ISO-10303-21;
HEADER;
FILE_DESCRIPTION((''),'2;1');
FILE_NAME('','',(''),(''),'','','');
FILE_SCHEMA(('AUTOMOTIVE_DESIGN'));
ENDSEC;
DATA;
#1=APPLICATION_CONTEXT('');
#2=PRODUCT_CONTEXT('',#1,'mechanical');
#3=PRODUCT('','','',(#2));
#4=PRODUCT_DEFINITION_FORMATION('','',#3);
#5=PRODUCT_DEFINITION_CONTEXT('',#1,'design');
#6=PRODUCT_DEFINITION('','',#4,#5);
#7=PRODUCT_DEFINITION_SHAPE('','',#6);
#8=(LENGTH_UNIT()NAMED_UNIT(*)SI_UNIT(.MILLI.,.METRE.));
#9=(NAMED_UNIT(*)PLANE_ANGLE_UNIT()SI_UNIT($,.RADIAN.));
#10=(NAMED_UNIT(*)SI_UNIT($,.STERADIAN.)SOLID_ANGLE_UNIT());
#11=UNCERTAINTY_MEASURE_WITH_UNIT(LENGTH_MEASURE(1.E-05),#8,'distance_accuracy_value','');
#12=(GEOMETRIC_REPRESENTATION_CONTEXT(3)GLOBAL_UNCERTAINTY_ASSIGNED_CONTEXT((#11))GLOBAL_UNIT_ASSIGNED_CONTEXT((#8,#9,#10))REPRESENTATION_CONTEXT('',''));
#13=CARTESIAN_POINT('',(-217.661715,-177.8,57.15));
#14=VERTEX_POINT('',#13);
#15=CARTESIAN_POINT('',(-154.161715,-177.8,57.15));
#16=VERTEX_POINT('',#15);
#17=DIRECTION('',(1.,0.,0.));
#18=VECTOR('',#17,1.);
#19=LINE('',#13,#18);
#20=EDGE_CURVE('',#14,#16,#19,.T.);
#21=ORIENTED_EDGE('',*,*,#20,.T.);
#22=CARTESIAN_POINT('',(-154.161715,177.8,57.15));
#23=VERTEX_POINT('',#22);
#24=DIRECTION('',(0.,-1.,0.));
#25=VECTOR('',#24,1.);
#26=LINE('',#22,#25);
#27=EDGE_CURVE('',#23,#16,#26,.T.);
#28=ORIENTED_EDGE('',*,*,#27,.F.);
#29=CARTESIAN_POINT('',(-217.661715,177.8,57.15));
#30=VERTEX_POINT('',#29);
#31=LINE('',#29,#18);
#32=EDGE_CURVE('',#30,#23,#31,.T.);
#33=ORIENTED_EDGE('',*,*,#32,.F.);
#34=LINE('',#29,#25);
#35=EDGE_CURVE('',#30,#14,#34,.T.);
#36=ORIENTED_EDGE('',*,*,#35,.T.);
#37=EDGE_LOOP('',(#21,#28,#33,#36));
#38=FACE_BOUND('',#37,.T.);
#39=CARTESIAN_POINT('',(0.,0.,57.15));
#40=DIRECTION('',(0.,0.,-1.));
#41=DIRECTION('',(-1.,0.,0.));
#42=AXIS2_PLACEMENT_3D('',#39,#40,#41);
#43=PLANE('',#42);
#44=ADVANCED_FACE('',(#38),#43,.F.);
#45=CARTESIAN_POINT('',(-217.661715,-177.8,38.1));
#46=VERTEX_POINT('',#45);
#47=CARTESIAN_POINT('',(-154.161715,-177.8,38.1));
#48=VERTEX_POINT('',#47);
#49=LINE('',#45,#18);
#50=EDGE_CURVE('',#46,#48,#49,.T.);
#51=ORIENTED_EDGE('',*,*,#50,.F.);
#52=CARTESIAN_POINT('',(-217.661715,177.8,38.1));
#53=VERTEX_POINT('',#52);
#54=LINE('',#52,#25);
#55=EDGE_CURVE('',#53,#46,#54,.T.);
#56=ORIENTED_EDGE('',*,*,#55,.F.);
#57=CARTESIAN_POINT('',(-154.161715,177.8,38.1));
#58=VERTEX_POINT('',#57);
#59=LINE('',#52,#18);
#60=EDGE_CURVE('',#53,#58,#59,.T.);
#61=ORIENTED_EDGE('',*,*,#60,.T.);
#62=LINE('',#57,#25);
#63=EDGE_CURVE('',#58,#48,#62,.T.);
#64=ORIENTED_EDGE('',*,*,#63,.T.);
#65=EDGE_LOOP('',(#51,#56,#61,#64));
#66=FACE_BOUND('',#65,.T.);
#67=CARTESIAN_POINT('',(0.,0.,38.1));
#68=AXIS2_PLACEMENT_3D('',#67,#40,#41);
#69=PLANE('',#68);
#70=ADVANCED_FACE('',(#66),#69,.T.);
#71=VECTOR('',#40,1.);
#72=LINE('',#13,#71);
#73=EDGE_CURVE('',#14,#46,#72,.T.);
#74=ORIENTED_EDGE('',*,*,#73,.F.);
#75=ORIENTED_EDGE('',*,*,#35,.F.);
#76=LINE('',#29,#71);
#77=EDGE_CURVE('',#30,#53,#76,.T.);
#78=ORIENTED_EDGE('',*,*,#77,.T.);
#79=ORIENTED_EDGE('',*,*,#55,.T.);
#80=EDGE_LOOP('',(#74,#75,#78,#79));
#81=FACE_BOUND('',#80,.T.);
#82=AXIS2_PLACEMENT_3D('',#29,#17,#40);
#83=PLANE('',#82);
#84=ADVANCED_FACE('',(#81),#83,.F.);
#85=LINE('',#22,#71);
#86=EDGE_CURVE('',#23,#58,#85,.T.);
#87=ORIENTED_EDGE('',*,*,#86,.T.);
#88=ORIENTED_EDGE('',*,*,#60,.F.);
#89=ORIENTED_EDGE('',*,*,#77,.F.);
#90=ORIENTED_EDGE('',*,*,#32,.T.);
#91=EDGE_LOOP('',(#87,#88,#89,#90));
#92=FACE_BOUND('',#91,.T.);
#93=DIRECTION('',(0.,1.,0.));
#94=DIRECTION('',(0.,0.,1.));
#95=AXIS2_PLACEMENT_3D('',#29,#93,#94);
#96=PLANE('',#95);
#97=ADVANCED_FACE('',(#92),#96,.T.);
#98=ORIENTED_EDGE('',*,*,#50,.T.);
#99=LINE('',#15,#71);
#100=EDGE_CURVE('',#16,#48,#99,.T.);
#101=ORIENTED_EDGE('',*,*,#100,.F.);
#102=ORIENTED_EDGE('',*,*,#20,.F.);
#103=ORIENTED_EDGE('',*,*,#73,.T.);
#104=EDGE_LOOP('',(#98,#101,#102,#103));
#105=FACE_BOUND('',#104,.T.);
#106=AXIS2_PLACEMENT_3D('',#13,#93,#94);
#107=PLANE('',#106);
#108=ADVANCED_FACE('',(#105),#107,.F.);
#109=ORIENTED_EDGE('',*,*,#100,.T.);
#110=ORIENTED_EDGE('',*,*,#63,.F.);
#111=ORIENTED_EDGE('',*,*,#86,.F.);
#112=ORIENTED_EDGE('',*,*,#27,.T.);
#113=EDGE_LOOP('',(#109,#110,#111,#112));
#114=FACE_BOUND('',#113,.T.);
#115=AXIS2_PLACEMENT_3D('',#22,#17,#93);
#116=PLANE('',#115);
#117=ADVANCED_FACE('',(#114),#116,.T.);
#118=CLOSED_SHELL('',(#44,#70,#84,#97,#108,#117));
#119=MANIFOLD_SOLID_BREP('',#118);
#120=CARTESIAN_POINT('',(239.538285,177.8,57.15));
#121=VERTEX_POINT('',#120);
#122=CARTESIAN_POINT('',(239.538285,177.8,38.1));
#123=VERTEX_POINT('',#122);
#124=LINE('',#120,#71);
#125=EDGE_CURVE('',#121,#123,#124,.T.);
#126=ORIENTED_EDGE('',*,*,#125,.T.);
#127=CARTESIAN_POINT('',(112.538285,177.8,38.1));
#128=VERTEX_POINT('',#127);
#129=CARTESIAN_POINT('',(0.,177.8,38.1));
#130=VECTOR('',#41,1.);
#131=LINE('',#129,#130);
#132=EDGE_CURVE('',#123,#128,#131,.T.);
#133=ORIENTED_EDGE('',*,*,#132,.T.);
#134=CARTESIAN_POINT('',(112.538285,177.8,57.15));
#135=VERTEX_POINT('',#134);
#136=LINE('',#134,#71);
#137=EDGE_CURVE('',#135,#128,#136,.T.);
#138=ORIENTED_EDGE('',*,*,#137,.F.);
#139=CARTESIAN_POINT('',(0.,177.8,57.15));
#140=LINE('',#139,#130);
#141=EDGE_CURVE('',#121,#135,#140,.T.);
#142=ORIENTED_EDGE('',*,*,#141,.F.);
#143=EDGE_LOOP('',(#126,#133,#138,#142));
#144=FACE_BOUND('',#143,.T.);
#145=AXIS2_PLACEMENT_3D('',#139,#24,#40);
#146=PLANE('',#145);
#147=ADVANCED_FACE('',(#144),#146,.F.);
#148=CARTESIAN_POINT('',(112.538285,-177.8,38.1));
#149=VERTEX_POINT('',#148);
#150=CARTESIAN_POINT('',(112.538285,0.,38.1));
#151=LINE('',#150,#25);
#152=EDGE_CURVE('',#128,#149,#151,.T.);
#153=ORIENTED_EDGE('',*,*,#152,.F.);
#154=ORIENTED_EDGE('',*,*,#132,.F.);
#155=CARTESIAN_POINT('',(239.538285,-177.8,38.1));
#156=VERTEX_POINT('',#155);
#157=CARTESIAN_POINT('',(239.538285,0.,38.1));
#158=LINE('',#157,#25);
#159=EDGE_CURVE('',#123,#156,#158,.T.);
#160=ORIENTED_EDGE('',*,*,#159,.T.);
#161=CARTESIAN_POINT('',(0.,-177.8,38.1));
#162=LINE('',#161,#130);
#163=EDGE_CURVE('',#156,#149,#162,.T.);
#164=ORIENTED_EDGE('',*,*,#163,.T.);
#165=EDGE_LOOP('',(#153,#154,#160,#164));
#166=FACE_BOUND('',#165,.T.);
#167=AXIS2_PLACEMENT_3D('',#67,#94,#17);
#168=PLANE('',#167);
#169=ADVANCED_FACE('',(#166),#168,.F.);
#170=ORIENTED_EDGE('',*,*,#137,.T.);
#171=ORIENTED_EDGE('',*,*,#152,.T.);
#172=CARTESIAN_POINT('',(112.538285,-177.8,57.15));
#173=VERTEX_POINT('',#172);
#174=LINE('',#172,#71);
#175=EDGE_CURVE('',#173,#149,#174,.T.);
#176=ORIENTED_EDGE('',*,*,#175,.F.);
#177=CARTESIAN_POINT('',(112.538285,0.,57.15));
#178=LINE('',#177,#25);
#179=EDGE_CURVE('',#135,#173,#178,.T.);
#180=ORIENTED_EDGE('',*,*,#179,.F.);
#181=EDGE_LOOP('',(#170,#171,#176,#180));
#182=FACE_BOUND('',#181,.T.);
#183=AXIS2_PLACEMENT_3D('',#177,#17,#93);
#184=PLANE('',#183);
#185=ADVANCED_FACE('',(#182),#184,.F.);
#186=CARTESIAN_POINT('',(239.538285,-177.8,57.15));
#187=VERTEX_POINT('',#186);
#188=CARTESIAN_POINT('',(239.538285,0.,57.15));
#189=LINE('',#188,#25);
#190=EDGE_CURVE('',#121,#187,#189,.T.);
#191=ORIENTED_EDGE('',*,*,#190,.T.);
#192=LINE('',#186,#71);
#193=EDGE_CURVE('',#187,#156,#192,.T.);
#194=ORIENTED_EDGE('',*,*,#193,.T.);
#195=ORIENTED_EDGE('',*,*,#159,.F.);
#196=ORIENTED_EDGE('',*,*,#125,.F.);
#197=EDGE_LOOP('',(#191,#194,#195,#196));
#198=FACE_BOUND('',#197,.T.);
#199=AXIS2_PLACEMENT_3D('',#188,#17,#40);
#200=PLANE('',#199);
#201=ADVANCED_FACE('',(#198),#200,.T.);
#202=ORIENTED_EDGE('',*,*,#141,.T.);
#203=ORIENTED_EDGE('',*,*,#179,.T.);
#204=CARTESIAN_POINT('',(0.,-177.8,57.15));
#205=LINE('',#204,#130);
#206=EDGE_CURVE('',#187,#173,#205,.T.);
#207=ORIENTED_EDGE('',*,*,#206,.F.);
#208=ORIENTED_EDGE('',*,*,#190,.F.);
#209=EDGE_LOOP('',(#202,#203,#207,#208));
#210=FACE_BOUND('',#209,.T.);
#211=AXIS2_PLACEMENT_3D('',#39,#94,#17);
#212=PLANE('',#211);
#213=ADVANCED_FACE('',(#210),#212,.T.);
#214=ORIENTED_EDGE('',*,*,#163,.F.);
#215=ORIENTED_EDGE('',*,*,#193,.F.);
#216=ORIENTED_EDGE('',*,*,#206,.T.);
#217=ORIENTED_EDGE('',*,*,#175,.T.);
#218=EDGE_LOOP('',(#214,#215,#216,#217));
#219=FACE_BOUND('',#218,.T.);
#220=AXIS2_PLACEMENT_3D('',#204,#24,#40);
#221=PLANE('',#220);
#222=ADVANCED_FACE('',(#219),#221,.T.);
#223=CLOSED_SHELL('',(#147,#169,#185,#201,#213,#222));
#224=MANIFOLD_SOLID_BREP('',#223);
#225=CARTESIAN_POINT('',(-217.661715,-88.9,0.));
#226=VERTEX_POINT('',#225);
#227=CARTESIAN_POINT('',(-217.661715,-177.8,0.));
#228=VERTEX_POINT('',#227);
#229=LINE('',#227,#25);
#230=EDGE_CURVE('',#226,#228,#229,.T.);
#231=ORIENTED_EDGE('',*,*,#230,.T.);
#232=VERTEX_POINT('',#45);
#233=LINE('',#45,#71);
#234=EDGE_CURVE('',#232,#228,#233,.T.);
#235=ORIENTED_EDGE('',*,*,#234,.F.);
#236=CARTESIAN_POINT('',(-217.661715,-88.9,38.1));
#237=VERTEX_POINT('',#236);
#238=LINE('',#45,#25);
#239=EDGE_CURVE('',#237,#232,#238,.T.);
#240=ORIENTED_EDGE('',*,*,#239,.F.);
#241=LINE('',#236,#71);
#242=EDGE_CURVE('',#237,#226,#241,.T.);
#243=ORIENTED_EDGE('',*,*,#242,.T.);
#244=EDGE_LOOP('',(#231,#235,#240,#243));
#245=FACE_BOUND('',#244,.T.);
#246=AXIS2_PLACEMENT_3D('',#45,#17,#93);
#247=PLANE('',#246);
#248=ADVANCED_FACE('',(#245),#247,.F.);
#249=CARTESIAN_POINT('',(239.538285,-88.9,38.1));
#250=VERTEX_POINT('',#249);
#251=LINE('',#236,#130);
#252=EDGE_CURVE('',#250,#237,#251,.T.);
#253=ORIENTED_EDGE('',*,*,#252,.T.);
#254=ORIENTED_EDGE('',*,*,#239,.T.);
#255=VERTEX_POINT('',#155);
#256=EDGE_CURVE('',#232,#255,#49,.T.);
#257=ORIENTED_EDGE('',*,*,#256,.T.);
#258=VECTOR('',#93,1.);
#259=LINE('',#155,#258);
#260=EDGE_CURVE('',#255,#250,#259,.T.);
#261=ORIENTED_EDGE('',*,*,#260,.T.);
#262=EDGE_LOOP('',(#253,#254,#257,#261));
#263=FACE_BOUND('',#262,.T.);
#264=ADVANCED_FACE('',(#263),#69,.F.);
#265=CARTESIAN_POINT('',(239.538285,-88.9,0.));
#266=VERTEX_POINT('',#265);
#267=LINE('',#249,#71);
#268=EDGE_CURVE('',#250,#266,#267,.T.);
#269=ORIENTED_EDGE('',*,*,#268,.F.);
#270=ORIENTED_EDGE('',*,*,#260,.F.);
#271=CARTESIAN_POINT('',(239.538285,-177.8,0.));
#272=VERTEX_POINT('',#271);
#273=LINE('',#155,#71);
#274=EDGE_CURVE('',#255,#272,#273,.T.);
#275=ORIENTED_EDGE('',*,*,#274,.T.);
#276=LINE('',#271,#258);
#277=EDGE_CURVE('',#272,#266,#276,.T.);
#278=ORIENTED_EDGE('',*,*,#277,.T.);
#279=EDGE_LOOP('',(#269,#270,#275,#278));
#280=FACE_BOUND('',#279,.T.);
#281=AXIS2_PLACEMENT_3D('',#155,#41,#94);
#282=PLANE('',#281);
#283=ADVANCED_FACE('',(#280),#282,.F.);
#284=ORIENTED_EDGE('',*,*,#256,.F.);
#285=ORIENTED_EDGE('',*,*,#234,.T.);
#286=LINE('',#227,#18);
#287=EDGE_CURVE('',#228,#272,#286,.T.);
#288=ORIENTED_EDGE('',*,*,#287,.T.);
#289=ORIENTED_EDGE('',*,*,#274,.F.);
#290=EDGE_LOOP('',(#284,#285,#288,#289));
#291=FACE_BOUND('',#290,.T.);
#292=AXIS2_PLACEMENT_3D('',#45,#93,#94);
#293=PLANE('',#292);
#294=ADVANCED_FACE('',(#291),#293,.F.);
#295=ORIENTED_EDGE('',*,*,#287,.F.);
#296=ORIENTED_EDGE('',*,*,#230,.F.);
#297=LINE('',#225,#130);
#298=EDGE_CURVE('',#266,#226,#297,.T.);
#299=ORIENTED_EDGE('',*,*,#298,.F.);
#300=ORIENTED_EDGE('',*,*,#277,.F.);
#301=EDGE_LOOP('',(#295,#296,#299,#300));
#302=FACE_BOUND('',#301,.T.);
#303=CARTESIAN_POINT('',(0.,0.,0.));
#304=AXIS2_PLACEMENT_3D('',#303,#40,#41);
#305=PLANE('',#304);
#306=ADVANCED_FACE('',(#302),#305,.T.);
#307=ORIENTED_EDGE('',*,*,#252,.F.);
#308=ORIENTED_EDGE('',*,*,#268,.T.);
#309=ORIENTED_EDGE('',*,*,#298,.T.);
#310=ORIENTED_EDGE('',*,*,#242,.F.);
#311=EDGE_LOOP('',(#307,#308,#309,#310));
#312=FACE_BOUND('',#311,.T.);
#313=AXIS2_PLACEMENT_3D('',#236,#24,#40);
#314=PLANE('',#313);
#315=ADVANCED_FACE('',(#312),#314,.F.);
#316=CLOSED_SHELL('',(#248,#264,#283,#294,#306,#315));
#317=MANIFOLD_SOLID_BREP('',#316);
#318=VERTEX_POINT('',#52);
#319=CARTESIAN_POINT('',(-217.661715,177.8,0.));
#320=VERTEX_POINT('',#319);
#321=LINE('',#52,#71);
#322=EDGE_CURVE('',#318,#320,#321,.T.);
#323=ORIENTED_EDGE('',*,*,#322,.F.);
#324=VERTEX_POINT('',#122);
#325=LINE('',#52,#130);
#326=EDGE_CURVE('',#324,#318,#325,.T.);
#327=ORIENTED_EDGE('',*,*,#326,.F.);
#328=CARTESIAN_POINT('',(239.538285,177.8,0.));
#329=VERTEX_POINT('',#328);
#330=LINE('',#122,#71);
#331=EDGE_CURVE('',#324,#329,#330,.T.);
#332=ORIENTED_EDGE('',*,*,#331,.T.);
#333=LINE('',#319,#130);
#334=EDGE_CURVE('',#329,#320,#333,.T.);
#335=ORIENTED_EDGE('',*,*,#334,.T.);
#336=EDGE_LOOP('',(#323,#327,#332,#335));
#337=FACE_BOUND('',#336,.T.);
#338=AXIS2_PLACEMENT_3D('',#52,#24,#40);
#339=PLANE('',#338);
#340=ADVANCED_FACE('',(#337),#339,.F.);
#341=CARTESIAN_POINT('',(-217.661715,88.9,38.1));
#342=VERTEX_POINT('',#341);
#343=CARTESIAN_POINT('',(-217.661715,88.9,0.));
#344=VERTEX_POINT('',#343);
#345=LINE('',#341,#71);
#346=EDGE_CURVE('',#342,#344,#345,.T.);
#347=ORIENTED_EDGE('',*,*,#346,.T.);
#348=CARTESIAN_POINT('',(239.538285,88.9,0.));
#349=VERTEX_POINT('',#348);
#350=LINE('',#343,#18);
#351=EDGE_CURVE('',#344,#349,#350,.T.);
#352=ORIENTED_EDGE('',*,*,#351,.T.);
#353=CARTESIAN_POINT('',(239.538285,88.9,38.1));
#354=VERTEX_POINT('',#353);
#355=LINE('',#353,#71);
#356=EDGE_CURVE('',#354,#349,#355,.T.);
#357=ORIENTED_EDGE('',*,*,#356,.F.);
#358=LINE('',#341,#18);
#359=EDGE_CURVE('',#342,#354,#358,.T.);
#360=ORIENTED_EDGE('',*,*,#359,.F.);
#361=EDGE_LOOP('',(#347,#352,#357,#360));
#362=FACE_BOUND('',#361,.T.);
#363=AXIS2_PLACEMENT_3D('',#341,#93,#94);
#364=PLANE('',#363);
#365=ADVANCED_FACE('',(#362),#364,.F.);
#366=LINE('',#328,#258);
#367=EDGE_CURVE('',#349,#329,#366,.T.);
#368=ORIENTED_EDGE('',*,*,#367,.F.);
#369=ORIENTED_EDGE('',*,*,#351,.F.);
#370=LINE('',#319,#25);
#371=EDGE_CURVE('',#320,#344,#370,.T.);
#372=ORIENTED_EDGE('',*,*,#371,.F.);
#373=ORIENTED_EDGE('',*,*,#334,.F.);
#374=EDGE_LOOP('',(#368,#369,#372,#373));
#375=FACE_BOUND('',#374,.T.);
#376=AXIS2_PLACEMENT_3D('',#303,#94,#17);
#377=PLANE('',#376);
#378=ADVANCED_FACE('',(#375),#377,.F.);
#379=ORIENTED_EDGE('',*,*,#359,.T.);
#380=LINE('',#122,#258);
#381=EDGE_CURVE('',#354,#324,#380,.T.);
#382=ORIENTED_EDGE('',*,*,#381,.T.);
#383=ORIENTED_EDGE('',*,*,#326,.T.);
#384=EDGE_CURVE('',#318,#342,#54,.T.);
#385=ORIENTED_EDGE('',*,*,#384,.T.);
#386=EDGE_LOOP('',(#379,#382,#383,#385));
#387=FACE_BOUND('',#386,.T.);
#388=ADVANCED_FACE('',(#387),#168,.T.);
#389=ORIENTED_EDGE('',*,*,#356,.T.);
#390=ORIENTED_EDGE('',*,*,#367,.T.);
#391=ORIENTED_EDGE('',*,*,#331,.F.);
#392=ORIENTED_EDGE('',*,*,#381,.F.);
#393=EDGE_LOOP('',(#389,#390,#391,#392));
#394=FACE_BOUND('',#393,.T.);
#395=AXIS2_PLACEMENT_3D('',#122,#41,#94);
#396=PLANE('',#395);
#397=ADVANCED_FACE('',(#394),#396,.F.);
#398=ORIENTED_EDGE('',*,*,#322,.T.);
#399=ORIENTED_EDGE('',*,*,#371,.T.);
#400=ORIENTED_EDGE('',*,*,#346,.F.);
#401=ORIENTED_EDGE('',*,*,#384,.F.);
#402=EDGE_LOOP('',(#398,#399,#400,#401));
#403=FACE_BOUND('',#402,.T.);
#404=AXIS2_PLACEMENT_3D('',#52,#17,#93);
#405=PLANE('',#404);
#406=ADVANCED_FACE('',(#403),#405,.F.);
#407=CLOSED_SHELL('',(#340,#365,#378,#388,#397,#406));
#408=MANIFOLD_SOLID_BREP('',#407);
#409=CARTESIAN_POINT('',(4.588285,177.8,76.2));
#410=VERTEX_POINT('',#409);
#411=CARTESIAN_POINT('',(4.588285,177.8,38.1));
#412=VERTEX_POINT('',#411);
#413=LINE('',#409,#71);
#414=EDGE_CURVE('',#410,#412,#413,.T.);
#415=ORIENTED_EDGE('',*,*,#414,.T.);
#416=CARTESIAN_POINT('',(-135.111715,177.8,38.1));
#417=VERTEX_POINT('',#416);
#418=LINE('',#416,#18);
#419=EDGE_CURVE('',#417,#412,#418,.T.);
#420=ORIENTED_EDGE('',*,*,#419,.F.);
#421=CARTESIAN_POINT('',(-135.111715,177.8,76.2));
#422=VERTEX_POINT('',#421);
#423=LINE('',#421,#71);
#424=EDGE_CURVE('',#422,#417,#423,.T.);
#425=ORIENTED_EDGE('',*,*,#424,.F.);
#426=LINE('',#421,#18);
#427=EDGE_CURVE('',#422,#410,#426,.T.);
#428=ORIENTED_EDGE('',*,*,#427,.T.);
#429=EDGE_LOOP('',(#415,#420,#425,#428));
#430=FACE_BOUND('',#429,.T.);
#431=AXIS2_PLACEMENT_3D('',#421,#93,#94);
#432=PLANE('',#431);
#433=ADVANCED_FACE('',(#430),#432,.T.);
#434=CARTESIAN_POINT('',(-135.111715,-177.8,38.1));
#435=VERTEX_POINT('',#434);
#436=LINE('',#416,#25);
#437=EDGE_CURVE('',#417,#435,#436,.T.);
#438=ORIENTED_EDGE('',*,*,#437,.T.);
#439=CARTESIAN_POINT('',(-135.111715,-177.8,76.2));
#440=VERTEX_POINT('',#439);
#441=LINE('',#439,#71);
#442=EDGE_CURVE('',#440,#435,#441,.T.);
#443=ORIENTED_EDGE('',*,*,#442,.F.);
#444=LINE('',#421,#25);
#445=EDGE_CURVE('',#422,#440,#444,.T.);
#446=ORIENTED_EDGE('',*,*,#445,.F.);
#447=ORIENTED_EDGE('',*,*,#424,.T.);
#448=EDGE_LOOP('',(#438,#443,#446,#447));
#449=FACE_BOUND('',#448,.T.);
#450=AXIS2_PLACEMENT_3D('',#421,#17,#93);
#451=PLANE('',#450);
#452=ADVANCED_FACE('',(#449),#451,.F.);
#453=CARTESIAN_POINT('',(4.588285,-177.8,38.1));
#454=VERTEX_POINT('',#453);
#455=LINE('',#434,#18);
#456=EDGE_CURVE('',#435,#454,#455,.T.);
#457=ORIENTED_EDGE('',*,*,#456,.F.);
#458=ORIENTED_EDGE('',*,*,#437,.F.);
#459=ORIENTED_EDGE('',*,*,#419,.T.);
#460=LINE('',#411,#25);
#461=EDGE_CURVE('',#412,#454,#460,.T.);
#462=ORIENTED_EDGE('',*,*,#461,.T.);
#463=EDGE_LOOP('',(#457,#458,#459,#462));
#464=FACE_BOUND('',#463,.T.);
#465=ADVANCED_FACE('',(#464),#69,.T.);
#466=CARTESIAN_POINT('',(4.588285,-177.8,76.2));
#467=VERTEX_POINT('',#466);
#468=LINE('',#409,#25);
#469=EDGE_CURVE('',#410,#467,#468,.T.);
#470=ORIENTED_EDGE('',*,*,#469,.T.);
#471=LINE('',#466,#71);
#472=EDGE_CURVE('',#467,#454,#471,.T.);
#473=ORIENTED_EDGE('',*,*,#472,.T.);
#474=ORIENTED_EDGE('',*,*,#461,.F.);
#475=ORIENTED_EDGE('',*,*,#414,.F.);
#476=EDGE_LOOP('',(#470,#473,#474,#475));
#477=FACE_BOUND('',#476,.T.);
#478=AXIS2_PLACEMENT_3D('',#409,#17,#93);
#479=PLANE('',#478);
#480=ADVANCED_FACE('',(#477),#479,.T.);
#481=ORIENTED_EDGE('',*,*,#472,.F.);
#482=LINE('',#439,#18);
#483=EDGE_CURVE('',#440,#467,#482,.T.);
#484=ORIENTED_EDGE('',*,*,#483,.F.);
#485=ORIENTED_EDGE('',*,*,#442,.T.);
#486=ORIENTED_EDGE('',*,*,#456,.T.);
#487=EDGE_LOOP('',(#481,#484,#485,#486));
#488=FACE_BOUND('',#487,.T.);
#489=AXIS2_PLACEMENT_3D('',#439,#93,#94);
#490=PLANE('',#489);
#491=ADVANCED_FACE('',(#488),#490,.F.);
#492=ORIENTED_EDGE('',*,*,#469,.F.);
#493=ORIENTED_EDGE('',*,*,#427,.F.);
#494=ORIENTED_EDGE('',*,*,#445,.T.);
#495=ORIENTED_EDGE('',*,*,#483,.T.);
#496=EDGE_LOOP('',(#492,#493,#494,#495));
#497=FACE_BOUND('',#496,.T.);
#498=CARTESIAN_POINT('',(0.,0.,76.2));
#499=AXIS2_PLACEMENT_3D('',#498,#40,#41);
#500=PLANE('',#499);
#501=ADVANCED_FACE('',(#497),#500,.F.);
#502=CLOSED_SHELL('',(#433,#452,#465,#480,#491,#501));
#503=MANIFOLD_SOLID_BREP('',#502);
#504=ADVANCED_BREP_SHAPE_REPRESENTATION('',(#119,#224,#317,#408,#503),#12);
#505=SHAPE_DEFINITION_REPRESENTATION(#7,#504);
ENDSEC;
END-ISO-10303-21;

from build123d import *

# Parameters (mm, degrees)
SKETCH2_W             = 457.2
SKETCH2_H             = 88.9
BOSS_EXTRUDE1_DEPTH   = 38.1
BOSS_EXTRUDE1_2_DEPTH = 38.1
SKETCH3_W             = 63.5
SKETCH3_H             = 355.6
BOSS_EXTRUDE2_DEPTH   = 19.05
SKETCH3_W_2           = 127
BOSS_EXTRUDE2_2_DEPTH = 19.05
SKETCH3_3_W           = 139.7
SKETCH3_3_H           = 355.6
BOSS_EXTRUDE3_DEPTH   = 38.1


with BuildPart() as part:
    # Sketch2 → Boss-Extrude1 (new body)
    with BuildSketch(Plane.XY):
        with Locations((10.938284773, 133.35)):
            Rectangle(SKETCH2_W, SKETCH2_H)
    extrude(amount=BOSS_EXTRUDE1_DEPTH)


with BuildPart() as body_2:
    # Sketch2 → Boss-Extrude1 2 (new body)
    with BuildSketch(Plane.XY):
        with Locations((10.938284773, -133.35)):
            Rectangle(SKETCH2_W, SKETCH2_H)
    extrude(amount=BOSS_EXTRUDE1_2_DEPTH)


with BuildPart() as body_3:
    # Sketch3 → Boss-Extrude2 (new body)
    with BuildSketch(Plane.XY.offset(38.1)):
        with Locations((-185.911715227, 0)):
            Rectangle(SKETCH3_W, SKETCH3_H)
    extrude(amount=BOSS_EXTRUDE2_DEPTH)


with BuildPart() as body_4:
    # Sketch3 → Boss-Extrude2 2 (new body)
    with BuildSketch(Plane.XY.offset(38.1)):
        with Locations((176.038284773, 0)):
            Rectangle(SKETCH3_W_2, SKETCH3_H)
    extrude(amount=BOSS_EXTRUDE2_2_DEPTH)


with BuildPart() as body_5:
    # Sketch3<3> → Boss-Extrude3 (new body)
    with BuildSketch(Plane.XY.offset(38.1)):
        with Locations((-65.261715227, 0)):
            Rectangle(SKETCH3_3_W, SKETCH3_3_H)
    extrude(amount=BOSS_EXTRUDE3_DEPTH)


solid = Compound([part.part, body_2.part, body_3.part, body_4.part, body_5.part])
